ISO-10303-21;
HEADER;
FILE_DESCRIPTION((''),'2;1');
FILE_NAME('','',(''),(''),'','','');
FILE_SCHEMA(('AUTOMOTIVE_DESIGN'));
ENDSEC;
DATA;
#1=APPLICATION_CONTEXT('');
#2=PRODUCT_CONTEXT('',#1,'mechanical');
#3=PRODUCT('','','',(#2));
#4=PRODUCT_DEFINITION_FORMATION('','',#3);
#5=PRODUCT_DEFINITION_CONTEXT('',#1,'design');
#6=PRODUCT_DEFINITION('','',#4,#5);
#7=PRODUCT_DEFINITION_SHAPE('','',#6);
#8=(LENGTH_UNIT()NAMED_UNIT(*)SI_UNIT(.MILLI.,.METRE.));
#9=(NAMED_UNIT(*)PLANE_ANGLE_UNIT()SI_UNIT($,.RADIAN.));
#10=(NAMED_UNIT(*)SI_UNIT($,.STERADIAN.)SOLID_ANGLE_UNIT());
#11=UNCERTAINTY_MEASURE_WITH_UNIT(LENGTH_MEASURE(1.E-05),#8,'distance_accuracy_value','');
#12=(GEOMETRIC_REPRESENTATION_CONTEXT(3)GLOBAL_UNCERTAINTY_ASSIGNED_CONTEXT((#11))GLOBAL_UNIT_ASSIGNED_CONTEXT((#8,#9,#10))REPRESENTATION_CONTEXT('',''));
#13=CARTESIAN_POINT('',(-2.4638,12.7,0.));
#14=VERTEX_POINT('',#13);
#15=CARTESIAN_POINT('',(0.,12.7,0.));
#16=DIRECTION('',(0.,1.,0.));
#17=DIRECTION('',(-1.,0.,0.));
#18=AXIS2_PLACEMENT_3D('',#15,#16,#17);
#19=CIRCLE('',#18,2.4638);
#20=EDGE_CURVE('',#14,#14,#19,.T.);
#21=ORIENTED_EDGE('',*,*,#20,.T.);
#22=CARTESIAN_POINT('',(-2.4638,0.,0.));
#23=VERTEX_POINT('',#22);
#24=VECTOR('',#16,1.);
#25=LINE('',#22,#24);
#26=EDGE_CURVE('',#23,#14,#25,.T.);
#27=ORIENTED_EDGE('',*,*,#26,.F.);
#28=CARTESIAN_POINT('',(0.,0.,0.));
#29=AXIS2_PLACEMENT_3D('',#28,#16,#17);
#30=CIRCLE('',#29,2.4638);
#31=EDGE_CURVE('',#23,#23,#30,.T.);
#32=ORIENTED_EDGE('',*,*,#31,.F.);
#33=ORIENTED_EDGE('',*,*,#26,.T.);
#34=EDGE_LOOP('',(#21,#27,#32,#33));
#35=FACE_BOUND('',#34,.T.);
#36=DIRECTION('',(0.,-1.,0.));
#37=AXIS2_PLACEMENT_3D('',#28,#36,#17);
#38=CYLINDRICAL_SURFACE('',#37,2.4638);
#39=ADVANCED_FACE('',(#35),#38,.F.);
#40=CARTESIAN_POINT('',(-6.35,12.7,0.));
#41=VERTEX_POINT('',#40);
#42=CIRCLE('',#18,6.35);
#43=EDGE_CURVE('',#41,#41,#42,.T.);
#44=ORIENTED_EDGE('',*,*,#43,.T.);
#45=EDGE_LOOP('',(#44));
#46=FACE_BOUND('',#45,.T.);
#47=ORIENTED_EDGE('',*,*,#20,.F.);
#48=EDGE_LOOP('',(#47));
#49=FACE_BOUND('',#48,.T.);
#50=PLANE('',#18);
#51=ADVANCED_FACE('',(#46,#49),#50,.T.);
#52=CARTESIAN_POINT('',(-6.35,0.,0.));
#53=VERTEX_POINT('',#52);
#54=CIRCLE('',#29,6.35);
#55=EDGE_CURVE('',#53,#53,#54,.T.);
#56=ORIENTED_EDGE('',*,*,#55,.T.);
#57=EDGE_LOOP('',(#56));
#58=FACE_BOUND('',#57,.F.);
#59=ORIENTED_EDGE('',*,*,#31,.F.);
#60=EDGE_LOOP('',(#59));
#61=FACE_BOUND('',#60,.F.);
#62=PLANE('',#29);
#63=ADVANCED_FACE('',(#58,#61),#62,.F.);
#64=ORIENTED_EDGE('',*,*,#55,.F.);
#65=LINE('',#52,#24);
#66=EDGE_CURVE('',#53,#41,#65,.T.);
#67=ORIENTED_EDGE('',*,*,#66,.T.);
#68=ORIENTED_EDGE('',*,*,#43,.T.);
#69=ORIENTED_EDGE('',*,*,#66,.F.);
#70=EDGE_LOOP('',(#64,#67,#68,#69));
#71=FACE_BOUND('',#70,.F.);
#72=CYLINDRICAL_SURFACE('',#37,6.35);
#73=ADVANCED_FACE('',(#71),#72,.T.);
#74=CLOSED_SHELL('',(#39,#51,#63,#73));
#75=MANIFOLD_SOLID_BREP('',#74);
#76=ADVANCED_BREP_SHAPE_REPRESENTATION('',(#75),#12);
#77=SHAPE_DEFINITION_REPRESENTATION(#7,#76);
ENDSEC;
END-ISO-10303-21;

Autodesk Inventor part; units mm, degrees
ref_plane "YZ Plane" through (0, 0, 0) normal (1, 0, 0) x (0, 1, 0)
ref_plane "XZ Plane" through (0, 0, 0) normal (0, 1, 0) x (-1, 0, 0)
ref_plane "XY Plane" through (0, 0, 0) normal (0, 0, 1) x (1, 0, 0)
sketch "Sketch1" plane through (0, 0, 0) normal (0, 1, 0) x (-1, 0, 0)
  circle A0 centre (0, 0) radius 2.4638
  circle A1 centre (0, 0) radius 6.35
  dimension "d0" = 4.9276
  dimension "d1" = 12.7
extrude "Extrusion1" add sketch "Sketch1" along normal blind 12.7
properties part number "Nylon Spacer .5 OD-.5" material "VEX Nylon"
